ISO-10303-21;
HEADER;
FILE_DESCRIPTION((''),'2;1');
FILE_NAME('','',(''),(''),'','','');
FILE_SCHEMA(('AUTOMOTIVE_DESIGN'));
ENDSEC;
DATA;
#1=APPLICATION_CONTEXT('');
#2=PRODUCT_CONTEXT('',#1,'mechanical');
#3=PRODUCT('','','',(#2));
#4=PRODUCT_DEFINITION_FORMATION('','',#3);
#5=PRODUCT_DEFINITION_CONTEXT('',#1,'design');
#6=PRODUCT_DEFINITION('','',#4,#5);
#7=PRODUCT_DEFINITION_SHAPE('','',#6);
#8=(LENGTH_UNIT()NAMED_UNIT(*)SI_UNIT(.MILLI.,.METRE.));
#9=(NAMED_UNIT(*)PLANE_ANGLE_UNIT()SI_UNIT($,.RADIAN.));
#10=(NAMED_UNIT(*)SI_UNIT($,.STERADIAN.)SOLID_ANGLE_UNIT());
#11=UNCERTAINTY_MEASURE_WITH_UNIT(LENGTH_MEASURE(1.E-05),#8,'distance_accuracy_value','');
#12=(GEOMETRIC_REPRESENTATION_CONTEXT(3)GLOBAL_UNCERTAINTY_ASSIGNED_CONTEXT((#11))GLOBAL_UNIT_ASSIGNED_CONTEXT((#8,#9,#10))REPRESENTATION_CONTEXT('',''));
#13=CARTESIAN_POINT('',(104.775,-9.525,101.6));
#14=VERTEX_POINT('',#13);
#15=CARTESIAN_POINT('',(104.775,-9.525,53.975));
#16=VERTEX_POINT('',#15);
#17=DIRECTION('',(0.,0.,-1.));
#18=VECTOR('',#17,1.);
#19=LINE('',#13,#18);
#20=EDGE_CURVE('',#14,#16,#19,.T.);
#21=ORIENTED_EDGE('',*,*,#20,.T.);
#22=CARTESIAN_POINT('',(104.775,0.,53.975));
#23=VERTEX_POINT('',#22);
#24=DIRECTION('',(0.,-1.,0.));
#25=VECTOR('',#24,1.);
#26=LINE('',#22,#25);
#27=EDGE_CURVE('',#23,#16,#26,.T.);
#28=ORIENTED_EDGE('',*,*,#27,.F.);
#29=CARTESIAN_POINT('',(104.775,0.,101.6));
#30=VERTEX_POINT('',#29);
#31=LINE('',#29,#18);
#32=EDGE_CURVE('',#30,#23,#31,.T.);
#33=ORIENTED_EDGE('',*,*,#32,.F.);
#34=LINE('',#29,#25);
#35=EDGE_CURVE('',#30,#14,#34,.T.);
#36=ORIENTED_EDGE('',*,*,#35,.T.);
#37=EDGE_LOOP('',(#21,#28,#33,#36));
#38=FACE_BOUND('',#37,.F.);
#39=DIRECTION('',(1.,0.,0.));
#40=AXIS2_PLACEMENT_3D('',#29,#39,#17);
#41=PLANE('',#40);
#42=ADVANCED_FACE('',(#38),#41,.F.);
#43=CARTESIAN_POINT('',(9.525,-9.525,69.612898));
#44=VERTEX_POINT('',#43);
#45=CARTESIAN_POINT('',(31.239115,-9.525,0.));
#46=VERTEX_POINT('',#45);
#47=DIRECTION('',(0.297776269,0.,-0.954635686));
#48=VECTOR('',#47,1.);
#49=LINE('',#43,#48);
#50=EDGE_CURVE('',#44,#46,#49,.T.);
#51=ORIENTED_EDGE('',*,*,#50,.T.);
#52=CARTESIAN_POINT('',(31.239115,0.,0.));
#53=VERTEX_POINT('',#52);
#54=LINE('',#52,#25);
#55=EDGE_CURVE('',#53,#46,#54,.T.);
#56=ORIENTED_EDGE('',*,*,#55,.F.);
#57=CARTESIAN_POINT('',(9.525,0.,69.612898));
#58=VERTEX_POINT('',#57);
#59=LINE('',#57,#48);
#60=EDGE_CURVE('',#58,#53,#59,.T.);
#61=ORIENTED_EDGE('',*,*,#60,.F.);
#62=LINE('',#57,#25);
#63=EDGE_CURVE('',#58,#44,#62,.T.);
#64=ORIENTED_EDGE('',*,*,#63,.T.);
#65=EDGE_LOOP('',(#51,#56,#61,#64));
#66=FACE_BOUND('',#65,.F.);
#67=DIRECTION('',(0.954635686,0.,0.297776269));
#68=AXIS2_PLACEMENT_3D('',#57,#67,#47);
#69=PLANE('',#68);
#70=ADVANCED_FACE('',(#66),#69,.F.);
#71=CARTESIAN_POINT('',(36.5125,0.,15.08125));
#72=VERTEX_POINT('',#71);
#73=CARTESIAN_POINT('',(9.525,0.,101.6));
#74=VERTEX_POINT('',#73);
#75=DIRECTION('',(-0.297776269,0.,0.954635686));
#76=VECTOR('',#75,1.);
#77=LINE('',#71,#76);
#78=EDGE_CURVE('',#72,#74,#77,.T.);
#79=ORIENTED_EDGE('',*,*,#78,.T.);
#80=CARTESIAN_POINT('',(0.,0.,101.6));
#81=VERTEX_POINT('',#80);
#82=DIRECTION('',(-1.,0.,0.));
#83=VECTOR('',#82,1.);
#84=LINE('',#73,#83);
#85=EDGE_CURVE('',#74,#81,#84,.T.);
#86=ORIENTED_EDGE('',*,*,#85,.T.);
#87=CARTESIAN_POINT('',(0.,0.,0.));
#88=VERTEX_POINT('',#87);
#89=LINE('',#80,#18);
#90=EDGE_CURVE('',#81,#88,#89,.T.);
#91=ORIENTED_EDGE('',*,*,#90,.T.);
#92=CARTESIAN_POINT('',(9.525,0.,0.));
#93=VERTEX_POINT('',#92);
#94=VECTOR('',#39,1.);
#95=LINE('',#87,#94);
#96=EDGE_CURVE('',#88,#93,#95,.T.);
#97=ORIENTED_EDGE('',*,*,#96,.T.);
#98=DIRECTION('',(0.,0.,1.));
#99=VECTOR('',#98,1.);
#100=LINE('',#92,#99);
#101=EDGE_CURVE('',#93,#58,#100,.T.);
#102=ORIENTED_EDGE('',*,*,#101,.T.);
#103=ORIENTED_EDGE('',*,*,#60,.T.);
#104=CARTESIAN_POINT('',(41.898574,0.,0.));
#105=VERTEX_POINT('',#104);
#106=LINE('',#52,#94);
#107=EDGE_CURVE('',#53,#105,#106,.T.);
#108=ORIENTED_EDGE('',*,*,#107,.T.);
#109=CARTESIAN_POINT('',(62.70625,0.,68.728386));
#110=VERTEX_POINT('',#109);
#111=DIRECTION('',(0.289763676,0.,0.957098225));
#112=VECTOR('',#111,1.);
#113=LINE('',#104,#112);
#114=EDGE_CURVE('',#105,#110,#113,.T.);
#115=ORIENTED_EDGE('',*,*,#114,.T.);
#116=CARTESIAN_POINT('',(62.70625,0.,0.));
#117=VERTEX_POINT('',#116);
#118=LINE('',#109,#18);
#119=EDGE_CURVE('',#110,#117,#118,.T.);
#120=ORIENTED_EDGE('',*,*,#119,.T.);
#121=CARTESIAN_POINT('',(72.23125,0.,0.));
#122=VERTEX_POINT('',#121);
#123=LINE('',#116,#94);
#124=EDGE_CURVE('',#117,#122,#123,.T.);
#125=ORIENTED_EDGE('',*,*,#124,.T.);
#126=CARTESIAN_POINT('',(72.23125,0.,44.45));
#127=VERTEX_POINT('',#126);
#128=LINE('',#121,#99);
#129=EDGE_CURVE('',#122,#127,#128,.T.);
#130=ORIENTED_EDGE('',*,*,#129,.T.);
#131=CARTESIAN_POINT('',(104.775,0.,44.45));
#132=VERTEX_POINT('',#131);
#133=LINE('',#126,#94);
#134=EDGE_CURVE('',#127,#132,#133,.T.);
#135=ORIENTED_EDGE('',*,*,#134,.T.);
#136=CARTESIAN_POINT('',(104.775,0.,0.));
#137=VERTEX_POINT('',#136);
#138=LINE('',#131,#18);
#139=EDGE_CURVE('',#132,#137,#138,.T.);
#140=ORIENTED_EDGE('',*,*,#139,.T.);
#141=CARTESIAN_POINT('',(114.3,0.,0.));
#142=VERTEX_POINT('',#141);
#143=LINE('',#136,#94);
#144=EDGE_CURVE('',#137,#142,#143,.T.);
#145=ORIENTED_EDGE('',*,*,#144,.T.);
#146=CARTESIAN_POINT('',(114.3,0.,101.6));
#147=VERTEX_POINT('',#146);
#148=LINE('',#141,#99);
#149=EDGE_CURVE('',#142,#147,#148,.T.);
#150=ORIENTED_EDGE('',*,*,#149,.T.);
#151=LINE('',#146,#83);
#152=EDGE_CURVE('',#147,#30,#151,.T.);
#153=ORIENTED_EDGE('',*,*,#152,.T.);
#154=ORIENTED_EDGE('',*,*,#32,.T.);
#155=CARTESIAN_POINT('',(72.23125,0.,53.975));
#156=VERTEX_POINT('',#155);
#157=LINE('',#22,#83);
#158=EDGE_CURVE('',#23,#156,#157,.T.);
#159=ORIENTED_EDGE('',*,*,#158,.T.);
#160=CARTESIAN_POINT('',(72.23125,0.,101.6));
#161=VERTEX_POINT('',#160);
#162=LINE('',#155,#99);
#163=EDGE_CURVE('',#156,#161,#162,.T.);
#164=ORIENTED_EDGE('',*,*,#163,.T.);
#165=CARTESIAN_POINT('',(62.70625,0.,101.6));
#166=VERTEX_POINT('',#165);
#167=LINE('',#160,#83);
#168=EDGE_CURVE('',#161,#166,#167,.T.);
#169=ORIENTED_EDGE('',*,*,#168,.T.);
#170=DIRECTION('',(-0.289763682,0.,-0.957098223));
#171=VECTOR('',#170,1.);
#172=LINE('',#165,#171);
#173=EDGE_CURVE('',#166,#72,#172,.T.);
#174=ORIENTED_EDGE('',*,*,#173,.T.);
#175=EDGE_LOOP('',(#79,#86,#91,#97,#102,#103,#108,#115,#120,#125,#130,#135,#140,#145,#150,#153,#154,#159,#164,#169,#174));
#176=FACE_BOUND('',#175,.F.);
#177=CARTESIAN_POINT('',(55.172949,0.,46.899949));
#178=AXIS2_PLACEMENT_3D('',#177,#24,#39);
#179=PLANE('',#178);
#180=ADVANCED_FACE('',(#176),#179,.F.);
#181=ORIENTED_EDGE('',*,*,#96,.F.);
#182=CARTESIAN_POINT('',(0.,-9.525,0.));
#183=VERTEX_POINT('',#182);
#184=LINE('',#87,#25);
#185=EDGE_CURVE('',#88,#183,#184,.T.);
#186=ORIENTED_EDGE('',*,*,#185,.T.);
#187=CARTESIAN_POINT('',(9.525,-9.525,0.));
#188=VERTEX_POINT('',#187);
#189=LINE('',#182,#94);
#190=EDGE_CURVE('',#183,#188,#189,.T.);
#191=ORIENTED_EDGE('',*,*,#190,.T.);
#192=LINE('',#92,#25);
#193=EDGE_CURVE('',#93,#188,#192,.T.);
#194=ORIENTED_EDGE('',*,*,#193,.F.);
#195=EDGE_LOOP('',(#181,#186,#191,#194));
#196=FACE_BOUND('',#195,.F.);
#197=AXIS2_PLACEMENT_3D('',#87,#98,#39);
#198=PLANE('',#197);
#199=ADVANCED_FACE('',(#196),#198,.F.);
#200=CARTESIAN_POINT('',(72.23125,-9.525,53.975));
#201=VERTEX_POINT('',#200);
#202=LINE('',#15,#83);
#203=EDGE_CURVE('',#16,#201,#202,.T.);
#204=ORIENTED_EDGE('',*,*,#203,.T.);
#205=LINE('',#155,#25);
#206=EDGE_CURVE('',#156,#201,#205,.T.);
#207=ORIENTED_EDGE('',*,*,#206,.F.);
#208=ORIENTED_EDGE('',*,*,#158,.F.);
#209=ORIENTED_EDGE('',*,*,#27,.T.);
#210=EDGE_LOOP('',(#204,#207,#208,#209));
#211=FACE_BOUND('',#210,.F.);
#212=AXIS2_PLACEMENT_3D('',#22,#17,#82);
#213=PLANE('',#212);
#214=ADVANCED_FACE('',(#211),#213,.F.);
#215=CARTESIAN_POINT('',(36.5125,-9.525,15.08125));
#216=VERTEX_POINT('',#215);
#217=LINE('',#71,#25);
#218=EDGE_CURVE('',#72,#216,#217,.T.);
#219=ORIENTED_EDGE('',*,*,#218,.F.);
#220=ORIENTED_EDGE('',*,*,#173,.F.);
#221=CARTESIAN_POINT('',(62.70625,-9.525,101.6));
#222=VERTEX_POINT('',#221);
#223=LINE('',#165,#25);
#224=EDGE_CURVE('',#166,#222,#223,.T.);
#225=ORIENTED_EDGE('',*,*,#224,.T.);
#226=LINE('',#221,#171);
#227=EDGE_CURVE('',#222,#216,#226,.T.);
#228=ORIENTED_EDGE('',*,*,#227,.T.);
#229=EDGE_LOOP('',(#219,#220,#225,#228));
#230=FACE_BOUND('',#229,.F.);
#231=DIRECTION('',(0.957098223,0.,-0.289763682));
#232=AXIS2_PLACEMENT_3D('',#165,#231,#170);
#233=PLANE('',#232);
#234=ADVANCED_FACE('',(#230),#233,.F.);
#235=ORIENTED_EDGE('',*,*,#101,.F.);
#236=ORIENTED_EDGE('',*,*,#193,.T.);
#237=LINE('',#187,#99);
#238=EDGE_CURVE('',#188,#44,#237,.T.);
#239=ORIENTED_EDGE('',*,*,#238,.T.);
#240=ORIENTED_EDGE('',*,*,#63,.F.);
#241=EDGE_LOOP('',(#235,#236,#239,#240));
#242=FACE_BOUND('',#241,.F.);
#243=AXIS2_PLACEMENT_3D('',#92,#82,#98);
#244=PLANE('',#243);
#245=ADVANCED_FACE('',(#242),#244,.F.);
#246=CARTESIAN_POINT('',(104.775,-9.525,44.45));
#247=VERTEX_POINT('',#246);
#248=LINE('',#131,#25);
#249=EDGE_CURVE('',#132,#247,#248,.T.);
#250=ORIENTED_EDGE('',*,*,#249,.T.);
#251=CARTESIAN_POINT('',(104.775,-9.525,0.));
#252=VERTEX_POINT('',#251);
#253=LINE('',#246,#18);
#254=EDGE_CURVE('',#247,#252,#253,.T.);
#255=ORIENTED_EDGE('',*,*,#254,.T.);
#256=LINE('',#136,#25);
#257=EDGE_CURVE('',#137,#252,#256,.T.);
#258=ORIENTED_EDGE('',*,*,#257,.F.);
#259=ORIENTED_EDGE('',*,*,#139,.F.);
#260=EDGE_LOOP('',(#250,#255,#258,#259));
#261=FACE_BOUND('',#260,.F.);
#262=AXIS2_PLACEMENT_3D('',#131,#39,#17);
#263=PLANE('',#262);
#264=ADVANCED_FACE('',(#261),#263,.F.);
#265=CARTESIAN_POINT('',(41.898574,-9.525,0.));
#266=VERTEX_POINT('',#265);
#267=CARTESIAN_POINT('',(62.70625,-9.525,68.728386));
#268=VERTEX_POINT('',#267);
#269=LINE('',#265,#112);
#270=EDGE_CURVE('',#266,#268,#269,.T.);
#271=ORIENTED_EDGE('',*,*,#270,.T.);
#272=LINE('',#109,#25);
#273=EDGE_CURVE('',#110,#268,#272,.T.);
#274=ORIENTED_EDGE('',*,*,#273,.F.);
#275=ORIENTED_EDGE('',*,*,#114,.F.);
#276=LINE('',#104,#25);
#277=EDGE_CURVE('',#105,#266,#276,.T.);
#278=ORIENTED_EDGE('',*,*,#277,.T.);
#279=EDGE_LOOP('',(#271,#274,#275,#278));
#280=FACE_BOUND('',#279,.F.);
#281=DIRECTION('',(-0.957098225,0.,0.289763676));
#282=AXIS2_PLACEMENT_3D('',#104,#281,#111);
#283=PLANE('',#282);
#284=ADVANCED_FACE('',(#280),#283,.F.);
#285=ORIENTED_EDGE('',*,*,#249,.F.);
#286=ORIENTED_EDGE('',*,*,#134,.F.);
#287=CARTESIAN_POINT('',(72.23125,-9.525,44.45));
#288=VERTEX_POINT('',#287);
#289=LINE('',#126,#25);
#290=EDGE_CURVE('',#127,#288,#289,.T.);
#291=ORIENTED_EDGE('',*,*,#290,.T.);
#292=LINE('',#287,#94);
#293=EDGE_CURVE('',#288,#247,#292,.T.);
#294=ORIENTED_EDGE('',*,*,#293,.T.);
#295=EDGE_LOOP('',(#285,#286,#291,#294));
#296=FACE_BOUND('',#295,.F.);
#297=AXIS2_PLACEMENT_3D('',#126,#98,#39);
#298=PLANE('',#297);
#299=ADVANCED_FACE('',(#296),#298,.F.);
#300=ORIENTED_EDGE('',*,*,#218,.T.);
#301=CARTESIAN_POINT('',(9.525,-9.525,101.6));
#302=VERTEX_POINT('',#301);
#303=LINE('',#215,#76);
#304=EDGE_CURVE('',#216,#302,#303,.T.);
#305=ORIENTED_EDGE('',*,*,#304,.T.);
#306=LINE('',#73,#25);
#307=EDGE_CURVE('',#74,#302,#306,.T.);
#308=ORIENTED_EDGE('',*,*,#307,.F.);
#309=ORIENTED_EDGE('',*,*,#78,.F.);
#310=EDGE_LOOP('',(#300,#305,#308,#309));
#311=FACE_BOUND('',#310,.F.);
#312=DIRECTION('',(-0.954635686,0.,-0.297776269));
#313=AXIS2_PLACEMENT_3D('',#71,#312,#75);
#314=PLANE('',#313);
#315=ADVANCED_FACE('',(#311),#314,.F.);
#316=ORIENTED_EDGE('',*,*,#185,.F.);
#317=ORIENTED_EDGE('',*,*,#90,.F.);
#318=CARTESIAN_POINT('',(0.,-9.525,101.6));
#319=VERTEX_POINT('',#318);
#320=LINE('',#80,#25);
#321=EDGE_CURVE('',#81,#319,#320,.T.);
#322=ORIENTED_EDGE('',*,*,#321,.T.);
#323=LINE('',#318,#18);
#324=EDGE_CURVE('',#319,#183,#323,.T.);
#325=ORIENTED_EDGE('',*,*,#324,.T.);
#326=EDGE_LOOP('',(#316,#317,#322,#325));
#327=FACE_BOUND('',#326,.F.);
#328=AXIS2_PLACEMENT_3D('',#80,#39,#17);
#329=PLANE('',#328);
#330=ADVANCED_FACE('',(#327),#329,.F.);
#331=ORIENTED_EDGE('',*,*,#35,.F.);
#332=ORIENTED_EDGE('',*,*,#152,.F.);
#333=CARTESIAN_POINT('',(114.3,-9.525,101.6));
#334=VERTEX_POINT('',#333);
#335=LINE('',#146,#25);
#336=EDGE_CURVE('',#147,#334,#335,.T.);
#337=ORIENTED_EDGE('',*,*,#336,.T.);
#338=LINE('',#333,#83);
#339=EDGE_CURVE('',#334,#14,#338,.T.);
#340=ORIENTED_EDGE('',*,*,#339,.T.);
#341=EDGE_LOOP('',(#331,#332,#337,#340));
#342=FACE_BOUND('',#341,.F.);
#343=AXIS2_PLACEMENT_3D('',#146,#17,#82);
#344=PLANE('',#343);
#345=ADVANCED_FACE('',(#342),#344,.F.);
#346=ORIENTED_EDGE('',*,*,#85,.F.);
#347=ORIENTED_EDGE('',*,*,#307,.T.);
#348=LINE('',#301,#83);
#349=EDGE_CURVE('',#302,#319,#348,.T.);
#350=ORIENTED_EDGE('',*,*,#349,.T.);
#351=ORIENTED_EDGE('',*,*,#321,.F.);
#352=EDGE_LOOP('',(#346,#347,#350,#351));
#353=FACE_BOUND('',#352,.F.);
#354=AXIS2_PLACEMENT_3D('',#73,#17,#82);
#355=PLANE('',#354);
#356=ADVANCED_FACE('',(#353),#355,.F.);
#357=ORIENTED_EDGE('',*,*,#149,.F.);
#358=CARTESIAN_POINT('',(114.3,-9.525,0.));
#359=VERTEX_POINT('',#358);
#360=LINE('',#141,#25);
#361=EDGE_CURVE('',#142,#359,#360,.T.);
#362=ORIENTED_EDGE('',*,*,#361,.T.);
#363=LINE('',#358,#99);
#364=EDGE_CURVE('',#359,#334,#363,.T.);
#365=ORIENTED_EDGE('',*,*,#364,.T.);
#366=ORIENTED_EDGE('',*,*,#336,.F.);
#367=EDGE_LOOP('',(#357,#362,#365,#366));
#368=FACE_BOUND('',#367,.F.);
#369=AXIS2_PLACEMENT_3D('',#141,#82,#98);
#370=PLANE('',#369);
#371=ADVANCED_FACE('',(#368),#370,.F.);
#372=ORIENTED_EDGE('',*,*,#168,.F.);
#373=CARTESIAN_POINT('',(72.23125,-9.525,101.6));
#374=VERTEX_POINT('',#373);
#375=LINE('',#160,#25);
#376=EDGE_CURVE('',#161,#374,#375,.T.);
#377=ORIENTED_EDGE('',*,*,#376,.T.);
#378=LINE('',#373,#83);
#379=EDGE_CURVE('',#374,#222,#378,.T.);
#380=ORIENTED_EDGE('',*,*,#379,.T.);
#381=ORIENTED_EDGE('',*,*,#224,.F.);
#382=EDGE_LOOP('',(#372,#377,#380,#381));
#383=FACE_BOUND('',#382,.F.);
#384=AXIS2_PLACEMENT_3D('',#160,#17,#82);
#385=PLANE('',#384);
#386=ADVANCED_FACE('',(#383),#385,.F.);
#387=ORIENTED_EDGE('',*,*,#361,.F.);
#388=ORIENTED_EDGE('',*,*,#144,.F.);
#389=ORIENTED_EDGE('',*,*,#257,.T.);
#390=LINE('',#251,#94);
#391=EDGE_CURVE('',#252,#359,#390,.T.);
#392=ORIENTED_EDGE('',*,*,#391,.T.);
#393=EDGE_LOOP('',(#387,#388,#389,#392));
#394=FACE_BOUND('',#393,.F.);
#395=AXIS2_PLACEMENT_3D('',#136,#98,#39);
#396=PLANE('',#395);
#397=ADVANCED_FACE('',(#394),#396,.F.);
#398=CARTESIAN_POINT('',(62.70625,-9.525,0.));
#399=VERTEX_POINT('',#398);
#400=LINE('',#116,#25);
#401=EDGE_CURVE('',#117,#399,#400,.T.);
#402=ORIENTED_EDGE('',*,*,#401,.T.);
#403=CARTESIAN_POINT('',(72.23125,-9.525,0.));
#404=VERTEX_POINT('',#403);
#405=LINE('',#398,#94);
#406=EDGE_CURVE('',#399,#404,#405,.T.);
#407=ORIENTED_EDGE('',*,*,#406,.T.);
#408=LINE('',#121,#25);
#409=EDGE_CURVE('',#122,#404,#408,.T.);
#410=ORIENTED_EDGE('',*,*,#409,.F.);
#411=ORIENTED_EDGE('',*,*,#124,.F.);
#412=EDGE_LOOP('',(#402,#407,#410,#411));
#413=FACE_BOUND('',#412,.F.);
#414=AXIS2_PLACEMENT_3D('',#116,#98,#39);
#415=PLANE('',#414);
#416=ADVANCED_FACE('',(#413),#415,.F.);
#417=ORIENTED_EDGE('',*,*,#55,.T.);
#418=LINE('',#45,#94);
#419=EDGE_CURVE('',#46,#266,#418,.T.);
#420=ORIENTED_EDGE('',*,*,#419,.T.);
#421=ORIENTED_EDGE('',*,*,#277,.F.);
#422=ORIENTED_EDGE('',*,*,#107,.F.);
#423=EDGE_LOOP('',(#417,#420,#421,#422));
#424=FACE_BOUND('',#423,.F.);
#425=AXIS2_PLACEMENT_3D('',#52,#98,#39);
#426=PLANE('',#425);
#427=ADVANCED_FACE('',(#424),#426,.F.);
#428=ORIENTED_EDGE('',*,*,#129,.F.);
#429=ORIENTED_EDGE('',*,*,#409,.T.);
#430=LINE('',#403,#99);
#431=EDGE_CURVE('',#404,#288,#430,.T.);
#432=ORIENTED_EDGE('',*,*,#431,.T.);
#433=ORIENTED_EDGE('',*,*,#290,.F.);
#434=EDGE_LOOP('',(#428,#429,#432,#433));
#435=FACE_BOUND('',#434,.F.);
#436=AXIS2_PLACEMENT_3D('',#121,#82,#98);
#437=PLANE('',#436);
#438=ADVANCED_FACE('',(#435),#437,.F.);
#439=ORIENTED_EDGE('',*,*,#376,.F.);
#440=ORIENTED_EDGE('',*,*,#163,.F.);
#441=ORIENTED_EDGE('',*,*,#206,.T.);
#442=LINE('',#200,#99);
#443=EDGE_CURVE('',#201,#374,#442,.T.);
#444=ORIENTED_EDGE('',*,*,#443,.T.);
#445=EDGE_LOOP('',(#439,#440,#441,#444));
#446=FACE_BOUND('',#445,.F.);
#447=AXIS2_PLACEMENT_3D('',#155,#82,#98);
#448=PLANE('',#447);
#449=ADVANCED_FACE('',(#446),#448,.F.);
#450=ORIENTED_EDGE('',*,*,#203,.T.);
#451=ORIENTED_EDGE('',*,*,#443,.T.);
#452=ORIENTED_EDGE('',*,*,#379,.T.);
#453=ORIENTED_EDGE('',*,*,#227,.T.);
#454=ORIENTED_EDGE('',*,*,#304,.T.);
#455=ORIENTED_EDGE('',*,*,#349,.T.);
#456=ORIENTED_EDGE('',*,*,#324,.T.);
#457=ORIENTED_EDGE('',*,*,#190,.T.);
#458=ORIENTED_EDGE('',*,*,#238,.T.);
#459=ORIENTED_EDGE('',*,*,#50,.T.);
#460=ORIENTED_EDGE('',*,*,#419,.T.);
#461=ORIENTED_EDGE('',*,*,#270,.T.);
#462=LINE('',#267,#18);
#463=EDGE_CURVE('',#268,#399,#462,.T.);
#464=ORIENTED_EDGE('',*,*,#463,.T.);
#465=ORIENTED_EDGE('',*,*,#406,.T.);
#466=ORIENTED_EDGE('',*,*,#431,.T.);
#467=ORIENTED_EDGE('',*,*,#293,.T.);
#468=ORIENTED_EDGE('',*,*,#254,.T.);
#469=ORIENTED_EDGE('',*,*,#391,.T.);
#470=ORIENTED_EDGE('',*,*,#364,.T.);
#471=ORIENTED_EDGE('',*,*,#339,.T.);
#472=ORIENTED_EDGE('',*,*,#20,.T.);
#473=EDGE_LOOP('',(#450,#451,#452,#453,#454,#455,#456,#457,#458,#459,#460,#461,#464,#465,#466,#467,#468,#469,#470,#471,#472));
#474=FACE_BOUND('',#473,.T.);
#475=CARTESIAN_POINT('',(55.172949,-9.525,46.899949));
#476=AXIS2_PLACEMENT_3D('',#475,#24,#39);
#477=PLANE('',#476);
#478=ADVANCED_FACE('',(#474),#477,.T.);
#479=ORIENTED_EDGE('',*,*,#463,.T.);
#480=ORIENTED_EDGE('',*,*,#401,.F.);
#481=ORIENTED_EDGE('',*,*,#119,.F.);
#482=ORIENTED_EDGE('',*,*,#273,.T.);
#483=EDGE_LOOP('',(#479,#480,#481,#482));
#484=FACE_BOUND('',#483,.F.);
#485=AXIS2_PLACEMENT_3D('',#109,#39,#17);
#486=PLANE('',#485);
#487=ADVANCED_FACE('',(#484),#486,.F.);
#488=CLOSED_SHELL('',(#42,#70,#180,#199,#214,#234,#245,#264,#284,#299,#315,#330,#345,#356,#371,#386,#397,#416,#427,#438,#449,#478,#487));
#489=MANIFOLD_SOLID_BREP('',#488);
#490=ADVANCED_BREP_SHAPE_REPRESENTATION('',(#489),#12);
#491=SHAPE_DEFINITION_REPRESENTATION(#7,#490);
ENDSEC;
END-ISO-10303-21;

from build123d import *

# Parameters (mm, degrees)
F1_DEPTH = 9.525


with BuildPart() as f1:
    # F0 (on Front) → F1 (new body)
    with BuildSketch(Plane.XZ):
        Polygon((0, 101.6), (0, 0), (9.525, 0), (9.525, 69.612898), (31.239115, 0), (41.898574, 0), (62.70625, 68.728386), (62.70625, 0), (72.23125, 0), (72.23125, 44.45), (104.775, 44.45), (104.775, 0), (114.3, 0), (114.3, 101.6), (104.775, 101.6), (104.775, 53.975), (72.23125, 53.975), (72.23125, 101.6), (62.70625, 101.6), (36.5125, 15.08125), (9.525, 101.6), align=None)
    extrude(amount=F1_DEPTH)


solid = f1.part
